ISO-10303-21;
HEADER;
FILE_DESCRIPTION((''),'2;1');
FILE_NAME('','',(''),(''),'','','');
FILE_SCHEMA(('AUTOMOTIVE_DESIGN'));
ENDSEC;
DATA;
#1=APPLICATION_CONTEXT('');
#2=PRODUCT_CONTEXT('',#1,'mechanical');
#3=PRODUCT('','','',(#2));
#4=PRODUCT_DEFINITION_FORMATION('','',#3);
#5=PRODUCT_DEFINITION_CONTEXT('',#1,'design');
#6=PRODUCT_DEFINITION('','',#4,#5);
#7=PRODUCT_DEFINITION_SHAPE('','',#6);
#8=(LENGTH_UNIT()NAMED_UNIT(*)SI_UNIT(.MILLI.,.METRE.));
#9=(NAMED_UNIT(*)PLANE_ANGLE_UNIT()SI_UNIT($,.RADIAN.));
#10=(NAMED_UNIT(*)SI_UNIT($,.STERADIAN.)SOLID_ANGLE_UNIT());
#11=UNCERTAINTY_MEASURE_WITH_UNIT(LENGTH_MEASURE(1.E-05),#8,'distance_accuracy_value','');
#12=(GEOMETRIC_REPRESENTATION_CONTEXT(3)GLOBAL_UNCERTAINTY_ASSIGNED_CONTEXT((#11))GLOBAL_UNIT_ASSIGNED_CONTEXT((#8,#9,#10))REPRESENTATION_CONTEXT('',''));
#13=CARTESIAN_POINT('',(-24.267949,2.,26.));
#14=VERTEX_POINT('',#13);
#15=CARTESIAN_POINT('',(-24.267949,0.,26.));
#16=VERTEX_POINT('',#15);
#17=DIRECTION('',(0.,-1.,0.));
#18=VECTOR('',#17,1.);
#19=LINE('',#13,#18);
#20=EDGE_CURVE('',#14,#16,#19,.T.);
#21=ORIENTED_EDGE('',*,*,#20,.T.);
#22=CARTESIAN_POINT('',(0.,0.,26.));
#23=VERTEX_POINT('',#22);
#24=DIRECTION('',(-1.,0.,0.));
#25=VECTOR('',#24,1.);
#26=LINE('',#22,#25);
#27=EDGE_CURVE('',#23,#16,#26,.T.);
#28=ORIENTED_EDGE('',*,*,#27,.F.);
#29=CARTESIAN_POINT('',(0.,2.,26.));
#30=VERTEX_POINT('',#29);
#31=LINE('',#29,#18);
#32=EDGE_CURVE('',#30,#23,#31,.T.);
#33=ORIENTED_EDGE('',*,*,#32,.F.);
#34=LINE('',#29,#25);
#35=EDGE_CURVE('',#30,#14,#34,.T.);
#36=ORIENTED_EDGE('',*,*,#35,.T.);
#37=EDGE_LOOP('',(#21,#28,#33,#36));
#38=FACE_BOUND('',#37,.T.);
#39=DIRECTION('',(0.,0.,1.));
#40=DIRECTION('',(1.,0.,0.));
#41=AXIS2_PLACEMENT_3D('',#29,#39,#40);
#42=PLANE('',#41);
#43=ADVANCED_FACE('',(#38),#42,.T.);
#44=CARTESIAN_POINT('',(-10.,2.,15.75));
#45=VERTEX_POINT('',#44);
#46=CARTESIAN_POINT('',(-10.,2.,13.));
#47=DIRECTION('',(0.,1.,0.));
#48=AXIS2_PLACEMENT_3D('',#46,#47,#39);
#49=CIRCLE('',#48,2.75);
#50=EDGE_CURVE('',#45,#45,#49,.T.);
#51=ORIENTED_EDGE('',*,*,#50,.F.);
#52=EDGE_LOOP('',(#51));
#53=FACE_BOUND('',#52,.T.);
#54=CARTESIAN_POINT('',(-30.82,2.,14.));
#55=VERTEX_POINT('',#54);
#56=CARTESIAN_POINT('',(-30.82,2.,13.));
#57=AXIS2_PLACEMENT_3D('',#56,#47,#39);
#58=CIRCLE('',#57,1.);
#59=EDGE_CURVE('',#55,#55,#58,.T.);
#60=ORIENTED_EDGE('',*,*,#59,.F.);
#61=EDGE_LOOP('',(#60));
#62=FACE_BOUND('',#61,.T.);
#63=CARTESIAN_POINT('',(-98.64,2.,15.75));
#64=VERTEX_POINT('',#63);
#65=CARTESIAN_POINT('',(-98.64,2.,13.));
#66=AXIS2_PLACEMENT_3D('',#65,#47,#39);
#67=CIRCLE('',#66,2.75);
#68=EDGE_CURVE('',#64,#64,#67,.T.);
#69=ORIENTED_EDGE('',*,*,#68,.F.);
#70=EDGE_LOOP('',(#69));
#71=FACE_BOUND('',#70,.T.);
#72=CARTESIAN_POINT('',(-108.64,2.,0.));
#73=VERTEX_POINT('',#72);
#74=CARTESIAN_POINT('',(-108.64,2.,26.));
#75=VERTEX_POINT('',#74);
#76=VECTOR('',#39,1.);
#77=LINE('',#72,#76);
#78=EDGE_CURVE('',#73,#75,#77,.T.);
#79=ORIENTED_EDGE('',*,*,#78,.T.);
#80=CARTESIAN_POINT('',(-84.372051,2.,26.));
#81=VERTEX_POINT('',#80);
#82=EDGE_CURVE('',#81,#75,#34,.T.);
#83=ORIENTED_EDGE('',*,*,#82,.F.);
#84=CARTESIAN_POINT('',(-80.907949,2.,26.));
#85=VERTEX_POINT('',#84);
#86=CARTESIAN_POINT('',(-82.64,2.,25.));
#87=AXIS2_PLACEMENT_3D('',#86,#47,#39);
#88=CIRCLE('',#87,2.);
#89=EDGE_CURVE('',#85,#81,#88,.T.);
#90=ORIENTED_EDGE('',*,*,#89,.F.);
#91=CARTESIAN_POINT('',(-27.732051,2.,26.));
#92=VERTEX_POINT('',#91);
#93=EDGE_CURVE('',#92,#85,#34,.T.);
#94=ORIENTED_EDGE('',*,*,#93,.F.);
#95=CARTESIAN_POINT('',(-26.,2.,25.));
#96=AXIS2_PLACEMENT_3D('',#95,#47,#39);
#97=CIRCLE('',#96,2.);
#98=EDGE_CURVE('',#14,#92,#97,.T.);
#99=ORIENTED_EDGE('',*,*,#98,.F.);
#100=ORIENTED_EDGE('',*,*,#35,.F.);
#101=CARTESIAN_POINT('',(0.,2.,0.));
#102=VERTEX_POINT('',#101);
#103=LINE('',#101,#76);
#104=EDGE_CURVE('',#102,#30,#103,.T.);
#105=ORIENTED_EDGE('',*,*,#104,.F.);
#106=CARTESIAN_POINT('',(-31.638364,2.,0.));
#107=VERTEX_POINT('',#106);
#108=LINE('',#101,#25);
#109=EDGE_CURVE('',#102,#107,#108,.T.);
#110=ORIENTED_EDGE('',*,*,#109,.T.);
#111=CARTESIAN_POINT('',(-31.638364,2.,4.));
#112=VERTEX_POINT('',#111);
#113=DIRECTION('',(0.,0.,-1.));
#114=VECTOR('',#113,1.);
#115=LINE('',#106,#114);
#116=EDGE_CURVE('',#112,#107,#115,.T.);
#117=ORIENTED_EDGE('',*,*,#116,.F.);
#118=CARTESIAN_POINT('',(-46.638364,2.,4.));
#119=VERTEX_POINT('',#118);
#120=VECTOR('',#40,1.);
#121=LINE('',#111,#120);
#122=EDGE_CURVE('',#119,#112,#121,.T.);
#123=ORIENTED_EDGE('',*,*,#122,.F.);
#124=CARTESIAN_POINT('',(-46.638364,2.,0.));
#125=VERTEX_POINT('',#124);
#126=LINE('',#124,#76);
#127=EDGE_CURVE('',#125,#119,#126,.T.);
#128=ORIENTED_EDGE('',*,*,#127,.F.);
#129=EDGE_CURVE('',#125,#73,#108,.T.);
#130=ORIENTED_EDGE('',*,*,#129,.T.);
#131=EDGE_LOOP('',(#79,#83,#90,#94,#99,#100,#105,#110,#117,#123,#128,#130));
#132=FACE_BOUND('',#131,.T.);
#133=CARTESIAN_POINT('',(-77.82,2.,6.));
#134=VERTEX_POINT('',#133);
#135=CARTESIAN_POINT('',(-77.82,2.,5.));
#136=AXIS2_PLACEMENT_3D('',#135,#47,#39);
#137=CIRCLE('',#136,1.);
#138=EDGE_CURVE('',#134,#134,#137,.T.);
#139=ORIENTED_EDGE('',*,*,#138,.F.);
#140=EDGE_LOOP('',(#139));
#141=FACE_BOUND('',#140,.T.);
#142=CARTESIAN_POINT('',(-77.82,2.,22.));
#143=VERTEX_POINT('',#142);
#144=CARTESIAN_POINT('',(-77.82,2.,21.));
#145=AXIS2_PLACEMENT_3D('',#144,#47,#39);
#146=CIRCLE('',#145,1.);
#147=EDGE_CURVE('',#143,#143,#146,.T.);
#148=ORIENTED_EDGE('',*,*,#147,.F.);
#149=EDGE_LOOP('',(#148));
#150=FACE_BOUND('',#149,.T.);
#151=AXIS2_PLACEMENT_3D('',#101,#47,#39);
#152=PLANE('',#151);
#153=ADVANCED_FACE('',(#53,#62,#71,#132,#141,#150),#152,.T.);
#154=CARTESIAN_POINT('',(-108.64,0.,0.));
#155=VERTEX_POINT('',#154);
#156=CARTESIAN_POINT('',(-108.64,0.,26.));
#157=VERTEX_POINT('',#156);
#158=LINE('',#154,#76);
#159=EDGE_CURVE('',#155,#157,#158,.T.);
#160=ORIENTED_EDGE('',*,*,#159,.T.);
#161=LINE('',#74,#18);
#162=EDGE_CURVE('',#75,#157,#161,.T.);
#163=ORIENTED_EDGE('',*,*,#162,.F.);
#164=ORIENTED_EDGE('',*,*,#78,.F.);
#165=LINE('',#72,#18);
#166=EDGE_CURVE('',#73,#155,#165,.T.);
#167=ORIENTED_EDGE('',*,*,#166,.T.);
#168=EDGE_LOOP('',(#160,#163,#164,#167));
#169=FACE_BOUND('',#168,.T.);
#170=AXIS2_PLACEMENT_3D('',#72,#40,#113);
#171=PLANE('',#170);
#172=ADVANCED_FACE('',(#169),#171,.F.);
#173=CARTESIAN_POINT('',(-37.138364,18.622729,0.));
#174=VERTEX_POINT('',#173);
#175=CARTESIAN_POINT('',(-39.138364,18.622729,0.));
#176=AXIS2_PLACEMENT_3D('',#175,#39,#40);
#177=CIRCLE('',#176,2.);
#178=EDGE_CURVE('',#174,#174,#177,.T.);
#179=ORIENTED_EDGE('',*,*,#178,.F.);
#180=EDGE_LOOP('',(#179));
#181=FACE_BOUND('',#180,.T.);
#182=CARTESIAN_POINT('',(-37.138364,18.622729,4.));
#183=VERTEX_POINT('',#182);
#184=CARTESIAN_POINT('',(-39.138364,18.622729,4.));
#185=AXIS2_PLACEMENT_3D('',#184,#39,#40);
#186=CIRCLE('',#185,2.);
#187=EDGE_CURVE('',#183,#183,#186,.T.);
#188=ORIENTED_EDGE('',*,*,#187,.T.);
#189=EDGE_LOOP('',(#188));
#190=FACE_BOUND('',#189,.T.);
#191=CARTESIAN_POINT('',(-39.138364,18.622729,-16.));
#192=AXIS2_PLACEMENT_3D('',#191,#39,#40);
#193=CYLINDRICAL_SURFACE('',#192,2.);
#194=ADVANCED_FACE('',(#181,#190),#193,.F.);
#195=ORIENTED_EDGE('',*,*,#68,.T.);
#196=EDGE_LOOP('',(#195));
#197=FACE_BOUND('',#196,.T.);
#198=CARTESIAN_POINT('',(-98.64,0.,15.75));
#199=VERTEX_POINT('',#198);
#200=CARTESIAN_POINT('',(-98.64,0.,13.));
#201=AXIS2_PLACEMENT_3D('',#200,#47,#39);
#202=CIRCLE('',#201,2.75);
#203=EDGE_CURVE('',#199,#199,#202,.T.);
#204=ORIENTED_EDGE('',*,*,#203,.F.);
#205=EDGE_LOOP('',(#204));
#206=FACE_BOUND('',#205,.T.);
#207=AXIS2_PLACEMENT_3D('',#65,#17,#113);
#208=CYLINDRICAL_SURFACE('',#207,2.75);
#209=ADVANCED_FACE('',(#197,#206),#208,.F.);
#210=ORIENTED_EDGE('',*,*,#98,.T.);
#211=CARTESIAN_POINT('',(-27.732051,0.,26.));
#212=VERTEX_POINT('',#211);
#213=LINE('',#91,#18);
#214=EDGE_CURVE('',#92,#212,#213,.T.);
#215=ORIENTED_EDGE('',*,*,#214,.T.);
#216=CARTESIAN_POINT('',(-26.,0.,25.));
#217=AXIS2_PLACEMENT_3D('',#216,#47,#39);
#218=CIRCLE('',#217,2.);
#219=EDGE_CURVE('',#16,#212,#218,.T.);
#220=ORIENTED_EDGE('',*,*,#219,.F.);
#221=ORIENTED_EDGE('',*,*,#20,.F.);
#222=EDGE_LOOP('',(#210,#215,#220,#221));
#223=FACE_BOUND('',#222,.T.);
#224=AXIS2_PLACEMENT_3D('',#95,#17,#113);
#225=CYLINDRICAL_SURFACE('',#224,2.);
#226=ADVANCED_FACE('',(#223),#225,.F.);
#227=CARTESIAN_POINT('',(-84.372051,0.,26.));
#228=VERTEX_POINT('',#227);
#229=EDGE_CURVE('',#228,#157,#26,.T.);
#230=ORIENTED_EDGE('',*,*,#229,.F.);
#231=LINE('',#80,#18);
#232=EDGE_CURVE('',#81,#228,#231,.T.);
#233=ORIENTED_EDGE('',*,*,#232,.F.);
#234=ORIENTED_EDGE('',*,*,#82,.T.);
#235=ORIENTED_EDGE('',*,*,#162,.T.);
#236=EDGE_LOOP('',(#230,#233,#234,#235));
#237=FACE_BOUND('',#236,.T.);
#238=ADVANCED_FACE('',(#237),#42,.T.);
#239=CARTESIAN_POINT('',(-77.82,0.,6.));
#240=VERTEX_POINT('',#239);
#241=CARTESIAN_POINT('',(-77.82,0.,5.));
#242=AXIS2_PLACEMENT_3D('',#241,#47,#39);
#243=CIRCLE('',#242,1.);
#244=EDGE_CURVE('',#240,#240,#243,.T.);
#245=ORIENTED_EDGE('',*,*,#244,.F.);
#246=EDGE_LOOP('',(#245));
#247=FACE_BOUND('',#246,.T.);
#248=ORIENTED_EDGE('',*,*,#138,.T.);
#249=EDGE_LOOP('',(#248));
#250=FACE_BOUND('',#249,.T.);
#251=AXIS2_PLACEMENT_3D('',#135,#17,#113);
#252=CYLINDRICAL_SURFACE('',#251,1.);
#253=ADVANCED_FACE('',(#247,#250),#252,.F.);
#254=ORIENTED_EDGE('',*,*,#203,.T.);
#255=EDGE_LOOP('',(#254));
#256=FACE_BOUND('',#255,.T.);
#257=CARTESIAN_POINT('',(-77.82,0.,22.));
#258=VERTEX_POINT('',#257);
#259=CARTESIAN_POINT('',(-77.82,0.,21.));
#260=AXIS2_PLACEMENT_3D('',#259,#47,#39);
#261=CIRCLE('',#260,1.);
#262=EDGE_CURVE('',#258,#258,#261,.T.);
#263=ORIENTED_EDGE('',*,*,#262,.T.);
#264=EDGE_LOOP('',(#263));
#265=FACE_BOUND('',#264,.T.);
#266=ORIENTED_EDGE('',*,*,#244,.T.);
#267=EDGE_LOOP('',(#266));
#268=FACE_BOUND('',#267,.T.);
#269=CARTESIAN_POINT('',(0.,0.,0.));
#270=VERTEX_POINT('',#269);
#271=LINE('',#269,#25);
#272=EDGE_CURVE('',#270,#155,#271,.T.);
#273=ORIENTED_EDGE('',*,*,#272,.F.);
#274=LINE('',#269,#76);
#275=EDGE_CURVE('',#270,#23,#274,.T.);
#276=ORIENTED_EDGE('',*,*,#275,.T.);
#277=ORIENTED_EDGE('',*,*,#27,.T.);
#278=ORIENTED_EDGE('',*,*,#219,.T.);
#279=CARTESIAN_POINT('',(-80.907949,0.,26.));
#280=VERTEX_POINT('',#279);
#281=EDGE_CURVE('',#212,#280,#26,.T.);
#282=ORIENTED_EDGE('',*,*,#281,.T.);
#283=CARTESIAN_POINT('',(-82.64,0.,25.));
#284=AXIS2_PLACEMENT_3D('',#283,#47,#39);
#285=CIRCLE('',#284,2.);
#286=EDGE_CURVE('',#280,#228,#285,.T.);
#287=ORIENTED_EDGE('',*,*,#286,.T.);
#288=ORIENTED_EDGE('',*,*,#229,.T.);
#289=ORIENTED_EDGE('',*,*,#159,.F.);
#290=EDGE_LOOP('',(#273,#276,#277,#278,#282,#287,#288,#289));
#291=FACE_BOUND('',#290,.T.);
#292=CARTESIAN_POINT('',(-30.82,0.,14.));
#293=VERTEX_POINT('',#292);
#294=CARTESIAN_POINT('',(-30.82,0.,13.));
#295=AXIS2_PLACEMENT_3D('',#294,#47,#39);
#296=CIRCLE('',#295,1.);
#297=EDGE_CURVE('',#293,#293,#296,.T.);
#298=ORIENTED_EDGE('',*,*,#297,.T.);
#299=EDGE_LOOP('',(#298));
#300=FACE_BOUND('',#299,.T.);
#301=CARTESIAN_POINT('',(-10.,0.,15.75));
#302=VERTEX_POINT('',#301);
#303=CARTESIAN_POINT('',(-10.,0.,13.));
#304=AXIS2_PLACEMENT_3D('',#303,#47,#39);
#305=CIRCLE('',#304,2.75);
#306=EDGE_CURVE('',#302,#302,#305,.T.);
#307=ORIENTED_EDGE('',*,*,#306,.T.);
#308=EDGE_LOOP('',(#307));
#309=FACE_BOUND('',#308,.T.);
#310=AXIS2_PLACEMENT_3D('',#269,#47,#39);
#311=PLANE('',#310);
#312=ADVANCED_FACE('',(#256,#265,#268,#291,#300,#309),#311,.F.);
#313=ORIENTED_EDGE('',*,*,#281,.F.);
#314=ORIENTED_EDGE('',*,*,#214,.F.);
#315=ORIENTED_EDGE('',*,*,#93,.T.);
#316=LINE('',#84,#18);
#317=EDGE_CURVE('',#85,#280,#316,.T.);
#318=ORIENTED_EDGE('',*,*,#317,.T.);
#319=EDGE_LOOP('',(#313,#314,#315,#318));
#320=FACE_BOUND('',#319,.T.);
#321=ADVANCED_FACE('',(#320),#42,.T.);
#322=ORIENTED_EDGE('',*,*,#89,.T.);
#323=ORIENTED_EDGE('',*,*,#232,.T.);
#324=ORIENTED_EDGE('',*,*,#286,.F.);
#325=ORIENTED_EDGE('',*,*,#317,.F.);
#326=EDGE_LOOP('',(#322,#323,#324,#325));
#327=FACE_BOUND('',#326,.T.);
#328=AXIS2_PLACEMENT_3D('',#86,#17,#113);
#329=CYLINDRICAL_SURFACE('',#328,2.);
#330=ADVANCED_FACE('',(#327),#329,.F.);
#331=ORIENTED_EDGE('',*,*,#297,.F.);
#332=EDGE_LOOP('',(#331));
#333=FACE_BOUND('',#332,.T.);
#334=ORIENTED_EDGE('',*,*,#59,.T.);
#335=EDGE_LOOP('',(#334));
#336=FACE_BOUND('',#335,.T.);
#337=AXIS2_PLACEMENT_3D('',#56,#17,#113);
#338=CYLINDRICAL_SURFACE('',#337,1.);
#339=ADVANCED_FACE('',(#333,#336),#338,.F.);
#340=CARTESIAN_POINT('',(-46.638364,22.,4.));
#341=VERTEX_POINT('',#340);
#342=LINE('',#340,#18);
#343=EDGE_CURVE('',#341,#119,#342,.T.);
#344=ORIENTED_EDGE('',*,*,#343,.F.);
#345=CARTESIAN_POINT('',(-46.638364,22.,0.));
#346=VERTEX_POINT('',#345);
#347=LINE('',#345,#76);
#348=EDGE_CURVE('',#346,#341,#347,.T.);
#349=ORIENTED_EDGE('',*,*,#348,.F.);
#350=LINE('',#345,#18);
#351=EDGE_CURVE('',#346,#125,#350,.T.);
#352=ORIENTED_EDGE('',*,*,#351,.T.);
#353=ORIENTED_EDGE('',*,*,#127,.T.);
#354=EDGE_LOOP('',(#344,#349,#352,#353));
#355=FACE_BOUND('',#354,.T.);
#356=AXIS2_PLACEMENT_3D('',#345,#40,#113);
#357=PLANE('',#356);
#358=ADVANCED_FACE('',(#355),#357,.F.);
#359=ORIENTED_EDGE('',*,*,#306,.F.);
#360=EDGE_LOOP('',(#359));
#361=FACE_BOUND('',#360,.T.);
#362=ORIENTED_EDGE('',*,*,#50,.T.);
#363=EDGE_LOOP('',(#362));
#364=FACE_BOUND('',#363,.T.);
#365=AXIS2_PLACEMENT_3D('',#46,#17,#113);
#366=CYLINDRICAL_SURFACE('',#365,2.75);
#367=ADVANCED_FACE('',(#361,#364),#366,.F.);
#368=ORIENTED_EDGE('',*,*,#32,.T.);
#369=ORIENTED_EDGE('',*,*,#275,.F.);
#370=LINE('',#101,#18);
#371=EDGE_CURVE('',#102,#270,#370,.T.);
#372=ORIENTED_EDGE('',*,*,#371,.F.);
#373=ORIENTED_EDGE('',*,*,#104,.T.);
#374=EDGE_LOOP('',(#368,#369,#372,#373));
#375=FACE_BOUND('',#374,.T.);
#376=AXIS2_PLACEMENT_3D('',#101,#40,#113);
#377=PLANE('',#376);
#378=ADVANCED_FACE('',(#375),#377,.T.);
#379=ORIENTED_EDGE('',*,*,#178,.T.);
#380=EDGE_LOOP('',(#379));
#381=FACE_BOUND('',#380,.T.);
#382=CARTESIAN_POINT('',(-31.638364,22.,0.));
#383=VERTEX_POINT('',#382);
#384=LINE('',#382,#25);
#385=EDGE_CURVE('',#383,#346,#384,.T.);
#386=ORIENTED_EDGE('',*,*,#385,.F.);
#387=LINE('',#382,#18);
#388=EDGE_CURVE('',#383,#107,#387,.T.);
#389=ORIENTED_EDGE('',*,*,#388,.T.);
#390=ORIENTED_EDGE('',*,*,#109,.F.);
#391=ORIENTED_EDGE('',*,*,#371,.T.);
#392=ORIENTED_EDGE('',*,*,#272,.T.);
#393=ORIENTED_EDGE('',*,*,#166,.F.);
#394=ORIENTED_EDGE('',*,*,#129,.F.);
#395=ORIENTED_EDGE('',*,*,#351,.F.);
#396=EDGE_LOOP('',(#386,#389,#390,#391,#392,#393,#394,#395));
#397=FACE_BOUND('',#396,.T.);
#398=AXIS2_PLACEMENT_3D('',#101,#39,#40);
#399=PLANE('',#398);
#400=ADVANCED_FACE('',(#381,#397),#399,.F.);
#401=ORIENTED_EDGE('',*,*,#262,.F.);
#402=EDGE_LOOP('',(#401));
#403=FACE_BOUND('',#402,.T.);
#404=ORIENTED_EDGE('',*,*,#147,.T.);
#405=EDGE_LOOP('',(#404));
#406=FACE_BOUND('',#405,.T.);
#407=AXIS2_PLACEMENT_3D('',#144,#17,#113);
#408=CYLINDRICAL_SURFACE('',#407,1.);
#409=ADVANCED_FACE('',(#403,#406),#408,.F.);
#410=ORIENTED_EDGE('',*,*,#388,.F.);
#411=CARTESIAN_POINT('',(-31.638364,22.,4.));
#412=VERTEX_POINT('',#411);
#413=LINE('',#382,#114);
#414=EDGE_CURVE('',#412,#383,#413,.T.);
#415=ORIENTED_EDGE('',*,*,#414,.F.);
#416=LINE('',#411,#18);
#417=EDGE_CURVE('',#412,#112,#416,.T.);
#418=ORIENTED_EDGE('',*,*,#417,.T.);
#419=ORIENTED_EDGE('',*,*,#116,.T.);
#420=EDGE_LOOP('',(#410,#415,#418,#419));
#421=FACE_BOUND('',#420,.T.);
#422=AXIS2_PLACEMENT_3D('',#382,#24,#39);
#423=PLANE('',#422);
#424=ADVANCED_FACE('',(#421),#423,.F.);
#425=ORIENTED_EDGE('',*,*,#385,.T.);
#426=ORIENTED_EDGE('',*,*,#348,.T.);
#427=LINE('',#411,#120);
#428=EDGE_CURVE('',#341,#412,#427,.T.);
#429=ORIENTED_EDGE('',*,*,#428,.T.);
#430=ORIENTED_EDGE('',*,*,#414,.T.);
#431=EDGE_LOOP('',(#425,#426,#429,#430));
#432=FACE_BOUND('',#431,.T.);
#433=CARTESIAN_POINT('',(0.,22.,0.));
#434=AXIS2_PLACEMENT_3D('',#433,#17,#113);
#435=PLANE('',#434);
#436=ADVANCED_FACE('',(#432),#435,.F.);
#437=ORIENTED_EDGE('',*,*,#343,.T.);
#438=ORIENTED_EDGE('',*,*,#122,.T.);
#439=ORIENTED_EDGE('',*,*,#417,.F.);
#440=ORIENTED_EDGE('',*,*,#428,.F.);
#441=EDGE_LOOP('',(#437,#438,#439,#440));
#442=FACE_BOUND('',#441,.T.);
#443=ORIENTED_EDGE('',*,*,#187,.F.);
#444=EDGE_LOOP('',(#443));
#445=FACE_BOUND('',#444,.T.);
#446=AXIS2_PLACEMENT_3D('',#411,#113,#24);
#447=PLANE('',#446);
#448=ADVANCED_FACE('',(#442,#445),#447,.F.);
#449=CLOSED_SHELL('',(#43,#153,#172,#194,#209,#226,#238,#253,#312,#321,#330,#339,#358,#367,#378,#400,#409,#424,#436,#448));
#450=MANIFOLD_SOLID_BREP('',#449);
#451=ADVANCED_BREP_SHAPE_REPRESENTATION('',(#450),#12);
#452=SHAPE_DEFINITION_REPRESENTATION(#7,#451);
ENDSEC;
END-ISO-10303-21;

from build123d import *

# Parameters (mm, degrees)
SKETCH1_R           = 1
SKETCH1_R_2         = 2.75
BOSS_EXTRUDE1_DEPTH = 2
SKETCH2_W           = 15
SKETCH2_H           = 4
BOSS_EXTRUDE2_DEPTH = 20
SKETCH3_R           = 2
CUT_EXTRUDE1_DEPTH  = 20


with BuildPart() as part:
    # Sketch1 → Boss-Extrude1 (new body)
    with BuildSketch(Plane(origin=(0, 0, 0), x_dir=(1, 0, 0), z_dir=(0, 1, 0))):
        with BuildLine():
            Line((0, -26), (0, 0))
            Line((0, 0), (-32.806184042, 0))
            Line((-32.806184042, 0), (-47.806184042, 0))
            Line((-47.806184042, 0), (-108.64, 0))
            Line((-108.64, 0), (-108.64, -26))
            Line((-108.64, -26), (-84.372050808, -26))
            ThreePointArc((-84.372050808, -26), (-83.15763809, -23.068148347), (-80.64, -25))
            ThreePointArc((-80.64, -25), (-80.708148347, -25.51763809), (-80.907949192, -26))
            Line((-80.907949192, -26), (-27.732050808, -26))
            ThreePointArc((-27.732050808, -26), (-26.51763809, -23.068148347), (-24, -25))
            ThreePointArc((-24, -25), (-24.068148347, -25.51763809), (-24.267949192, -26))
            Line((-24.267949192, -26), (0, -26))
        make_face()
        with Locations((-77.82, -21)):
            Circle(SKETCH1_R, mode=Mode.SUBTRACT)
        with Locations((-98.64, -13)):
            Circle(SKETCH1_R_2, mode=Mode.SUBTRACT)
        with Locations((-77.82, -5)):
            Circle(SKETCH1_R, mode=Mode.SUBTRACT)
        with Locations((-30.82, -13)):
            Circle(SKETCH1_R, mode=Mode.SUBTRACT)
        with Locations((-10, -13)):
            Circle(SKETCH1_R_2, mode=Mode.SUBTRACT)
    extrude(amount=BOSS_EXTRUDE1_DEPTH)

    # Sketch2 → Boss-Extrude2 (add)
    with BuildSketch(Plane(origin=(0, 2, 0), x_dir=(1, 0, 0), z_dir=(0, 1, 0))):
        with Locations((-39.138364189, -2)):
            Rectangle(SKETCH2_W, SKETCH2_H)
    extrude(amount=BOSS_EXTRUDE2_DEPTH)

    # Sketch3 → Cut-Extrude1 (cut)
    with BuildSketch(Plane.XY.offset(4)):
        with Locations((-39.138364189, 18.622728592)):
            Circle(SKETCH3_R)
    extrude(amount=-CUT_EXTRUDE1_DEPTH, mode=Mode.SUBTRACT)


solid = part.part
